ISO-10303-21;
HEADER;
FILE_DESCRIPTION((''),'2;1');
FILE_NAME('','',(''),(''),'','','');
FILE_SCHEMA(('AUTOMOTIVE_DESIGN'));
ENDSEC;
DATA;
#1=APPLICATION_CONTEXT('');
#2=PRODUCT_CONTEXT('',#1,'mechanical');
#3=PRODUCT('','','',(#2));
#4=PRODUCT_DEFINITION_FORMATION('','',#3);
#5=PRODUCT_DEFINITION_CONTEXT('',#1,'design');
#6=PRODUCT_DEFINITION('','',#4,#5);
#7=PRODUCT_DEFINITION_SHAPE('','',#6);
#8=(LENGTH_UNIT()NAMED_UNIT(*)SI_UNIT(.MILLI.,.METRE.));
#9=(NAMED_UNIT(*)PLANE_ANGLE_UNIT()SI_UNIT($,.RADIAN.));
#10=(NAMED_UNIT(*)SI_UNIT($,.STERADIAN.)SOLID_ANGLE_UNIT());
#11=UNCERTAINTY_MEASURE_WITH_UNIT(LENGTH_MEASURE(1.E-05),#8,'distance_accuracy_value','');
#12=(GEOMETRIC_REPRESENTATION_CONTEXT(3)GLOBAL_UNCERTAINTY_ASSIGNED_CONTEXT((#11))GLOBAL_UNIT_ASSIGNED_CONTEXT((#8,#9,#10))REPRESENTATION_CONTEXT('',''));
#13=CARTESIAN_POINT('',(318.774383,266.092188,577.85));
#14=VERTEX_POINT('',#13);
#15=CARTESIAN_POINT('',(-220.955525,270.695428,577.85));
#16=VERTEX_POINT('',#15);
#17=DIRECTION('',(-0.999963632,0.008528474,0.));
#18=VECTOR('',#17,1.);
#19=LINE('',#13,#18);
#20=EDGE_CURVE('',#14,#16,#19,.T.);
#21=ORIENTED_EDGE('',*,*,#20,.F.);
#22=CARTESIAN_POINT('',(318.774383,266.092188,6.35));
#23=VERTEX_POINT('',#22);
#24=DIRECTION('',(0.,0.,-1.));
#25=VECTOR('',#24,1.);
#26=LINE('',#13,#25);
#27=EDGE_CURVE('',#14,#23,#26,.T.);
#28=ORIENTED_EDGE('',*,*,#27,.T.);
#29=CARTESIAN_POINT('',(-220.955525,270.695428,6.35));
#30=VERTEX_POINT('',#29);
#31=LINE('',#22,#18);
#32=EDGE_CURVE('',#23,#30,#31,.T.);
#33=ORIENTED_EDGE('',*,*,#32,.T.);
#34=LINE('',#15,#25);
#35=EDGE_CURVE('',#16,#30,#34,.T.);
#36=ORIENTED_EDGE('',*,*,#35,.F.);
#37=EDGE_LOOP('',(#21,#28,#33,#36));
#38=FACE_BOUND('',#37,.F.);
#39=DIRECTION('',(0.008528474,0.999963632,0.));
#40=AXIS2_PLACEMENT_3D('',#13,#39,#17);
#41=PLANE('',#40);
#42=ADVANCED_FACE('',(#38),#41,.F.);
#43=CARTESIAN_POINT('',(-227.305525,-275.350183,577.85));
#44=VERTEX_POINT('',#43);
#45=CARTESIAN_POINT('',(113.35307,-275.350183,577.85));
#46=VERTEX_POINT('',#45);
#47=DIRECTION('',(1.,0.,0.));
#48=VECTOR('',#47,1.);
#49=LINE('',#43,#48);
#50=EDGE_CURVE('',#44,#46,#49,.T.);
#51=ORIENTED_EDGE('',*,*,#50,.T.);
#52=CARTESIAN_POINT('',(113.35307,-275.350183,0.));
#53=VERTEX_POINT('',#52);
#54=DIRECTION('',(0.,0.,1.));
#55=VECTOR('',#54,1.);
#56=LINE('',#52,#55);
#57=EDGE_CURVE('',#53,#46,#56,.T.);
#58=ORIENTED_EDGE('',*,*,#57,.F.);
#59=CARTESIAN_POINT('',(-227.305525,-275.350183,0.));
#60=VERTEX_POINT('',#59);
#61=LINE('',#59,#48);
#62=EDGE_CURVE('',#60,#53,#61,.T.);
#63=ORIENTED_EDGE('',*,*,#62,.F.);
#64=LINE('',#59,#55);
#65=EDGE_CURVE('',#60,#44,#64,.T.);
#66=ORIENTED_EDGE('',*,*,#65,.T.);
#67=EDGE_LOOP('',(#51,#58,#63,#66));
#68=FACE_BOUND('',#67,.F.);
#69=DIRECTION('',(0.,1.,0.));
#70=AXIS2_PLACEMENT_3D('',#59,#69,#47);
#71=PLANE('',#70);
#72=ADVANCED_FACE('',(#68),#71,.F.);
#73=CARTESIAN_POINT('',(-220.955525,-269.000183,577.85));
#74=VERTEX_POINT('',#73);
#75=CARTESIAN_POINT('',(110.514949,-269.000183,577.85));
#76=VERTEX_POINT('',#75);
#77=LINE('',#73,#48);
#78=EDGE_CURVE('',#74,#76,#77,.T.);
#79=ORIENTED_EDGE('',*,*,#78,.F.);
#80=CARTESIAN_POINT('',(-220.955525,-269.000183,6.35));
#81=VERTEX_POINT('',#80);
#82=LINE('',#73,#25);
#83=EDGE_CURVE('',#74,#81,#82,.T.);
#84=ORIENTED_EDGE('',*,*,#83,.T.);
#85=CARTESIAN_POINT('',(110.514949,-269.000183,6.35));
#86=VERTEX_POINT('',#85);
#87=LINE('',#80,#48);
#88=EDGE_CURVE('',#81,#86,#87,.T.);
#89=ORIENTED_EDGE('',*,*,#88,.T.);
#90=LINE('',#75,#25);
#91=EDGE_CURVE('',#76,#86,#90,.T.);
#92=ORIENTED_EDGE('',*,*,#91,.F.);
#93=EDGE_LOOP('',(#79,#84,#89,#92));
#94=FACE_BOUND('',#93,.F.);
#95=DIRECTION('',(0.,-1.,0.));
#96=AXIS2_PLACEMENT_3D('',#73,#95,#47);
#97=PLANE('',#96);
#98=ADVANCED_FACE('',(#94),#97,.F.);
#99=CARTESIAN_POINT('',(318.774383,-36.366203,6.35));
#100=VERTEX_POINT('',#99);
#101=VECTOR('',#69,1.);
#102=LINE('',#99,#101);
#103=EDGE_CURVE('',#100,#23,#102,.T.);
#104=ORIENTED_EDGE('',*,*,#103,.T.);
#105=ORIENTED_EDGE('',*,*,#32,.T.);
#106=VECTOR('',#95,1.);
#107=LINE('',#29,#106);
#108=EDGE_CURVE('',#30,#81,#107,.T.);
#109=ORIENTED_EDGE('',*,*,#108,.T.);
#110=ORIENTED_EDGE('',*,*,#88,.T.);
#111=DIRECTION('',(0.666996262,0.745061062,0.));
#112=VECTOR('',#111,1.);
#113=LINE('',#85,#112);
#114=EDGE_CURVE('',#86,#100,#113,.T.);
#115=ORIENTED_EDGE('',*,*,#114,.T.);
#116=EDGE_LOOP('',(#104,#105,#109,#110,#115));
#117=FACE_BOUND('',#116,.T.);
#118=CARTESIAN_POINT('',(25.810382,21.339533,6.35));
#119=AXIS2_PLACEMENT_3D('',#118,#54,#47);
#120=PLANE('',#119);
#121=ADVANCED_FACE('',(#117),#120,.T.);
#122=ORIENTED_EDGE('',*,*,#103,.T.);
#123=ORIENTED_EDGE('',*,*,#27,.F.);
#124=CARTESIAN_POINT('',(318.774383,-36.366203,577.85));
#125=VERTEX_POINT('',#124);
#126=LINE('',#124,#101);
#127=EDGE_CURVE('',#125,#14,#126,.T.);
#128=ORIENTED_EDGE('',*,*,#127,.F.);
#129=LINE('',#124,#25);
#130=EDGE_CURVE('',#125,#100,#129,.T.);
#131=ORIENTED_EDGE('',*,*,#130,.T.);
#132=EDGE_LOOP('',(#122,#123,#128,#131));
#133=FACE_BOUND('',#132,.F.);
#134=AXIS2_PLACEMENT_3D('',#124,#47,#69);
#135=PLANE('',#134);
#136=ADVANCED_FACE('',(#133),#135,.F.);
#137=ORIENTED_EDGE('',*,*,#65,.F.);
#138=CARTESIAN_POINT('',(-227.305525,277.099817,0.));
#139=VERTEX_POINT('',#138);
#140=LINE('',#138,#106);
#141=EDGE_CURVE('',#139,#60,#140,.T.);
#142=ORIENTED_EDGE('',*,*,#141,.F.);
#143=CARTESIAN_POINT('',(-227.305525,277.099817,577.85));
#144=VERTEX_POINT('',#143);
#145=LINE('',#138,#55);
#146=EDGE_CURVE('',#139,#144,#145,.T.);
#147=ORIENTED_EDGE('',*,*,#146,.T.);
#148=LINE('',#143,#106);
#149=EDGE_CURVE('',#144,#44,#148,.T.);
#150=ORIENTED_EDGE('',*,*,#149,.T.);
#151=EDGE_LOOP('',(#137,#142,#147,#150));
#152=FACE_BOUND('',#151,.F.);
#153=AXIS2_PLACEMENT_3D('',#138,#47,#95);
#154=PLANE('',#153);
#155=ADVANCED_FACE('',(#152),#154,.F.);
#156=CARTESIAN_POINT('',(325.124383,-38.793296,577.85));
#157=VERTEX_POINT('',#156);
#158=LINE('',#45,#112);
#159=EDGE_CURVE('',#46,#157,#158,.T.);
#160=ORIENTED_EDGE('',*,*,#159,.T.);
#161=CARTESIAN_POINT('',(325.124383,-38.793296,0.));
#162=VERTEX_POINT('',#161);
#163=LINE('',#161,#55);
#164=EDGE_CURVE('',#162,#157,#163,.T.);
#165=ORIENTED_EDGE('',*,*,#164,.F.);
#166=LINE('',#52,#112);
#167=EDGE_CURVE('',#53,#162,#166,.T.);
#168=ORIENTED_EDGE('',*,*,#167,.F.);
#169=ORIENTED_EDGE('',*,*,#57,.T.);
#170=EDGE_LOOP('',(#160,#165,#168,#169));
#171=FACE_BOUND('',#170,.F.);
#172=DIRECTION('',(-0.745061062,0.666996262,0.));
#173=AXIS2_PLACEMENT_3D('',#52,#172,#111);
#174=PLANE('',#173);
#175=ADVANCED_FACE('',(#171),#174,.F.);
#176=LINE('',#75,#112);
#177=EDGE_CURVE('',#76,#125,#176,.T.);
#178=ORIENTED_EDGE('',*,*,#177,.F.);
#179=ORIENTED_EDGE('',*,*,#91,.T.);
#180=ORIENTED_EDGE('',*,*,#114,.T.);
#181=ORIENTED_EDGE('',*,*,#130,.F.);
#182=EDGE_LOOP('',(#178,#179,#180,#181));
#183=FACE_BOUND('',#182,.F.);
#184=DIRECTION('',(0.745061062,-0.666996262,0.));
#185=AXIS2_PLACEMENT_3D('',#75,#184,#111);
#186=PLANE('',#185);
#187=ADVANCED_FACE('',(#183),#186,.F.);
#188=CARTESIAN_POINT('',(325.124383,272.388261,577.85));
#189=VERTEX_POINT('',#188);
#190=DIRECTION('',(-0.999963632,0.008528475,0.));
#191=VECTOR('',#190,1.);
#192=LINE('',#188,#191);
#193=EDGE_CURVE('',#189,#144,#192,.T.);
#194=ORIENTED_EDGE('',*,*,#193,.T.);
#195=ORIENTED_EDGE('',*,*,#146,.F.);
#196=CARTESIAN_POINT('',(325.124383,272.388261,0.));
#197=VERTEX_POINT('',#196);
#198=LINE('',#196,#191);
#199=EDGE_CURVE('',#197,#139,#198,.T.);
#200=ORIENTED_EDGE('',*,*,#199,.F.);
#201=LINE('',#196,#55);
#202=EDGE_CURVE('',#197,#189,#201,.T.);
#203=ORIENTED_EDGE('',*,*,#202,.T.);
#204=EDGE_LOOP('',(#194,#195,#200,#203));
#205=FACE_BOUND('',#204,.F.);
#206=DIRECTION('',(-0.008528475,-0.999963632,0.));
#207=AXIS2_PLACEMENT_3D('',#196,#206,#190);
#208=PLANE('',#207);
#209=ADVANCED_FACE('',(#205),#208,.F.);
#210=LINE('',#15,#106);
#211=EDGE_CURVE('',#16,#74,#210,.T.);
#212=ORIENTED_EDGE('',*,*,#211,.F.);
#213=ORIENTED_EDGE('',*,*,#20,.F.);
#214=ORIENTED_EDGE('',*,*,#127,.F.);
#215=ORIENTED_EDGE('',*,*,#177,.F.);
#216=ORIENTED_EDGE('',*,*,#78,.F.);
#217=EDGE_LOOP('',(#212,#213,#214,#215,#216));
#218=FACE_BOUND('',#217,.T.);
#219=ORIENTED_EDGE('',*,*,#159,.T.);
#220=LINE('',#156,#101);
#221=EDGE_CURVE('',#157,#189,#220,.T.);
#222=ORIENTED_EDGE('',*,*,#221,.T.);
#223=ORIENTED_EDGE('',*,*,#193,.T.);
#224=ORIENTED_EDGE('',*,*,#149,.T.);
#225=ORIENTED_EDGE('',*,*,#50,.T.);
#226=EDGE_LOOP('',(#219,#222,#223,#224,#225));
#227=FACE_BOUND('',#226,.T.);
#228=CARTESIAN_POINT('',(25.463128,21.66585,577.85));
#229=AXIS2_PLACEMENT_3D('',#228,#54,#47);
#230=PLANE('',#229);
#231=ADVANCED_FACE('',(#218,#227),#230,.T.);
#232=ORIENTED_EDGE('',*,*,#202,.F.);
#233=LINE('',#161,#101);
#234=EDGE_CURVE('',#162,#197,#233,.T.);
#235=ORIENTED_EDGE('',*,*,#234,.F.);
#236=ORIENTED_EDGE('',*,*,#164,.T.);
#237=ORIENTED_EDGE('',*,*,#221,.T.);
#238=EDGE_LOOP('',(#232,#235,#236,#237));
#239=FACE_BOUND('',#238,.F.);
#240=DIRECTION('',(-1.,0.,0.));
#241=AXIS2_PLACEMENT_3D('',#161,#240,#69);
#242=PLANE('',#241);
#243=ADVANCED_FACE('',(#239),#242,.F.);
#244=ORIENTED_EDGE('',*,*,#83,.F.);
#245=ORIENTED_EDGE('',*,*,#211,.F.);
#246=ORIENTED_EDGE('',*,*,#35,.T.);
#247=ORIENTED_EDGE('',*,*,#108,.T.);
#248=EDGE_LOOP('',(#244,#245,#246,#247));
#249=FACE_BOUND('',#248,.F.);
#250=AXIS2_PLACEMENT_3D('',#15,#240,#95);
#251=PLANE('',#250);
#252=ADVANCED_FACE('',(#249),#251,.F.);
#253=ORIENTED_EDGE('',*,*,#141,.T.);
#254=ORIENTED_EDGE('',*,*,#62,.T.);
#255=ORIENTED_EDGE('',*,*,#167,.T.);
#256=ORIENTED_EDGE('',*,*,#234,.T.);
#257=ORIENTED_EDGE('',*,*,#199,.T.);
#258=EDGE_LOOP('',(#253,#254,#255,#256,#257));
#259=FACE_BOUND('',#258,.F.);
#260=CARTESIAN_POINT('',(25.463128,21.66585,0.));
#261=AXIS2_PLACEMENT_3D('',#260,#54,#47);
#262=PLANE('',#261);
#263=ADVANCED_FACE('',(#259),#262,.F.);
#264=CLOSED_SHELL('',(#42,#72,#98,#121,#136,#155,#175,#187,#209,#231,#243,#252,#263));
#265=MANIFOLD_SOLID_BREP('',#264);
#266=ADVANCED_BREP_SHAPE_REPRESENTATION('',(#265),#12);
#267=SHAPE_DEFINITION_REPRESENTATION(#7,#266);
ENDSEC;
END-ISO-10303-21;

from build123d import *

# Parameters (mm, degrees)
F1_DEPTH = 577.85
F3_DEPTH = 571.5


with BuildPart() as f1:
    # F0 (on Top) → F1 (new body)
    with BuildSketch(Plane.XY):
        Polygon((325.124383, 272.388261), (-227.305525, 277.099817), (-227.305525, -275.350183), (113.35307, -275.350183), (325.124383, -38.793296), align=None)
    extrude(amount=F1_DEPTH)

    # F2 (on face) → F3 (cut)
    with BuildSketch(Plane.XY.offset(577.85)):
        Polygon((-220.955525, -269.000183), (110.514949, -269.000183), (318.774383, -36.366203), (318.774383, 266.092188), (-220.955525, 270.695428), align=None)
    extrude(amount=-F3_DEPTH, mode=Mode.SUBTRACT)


solid = f1.part
